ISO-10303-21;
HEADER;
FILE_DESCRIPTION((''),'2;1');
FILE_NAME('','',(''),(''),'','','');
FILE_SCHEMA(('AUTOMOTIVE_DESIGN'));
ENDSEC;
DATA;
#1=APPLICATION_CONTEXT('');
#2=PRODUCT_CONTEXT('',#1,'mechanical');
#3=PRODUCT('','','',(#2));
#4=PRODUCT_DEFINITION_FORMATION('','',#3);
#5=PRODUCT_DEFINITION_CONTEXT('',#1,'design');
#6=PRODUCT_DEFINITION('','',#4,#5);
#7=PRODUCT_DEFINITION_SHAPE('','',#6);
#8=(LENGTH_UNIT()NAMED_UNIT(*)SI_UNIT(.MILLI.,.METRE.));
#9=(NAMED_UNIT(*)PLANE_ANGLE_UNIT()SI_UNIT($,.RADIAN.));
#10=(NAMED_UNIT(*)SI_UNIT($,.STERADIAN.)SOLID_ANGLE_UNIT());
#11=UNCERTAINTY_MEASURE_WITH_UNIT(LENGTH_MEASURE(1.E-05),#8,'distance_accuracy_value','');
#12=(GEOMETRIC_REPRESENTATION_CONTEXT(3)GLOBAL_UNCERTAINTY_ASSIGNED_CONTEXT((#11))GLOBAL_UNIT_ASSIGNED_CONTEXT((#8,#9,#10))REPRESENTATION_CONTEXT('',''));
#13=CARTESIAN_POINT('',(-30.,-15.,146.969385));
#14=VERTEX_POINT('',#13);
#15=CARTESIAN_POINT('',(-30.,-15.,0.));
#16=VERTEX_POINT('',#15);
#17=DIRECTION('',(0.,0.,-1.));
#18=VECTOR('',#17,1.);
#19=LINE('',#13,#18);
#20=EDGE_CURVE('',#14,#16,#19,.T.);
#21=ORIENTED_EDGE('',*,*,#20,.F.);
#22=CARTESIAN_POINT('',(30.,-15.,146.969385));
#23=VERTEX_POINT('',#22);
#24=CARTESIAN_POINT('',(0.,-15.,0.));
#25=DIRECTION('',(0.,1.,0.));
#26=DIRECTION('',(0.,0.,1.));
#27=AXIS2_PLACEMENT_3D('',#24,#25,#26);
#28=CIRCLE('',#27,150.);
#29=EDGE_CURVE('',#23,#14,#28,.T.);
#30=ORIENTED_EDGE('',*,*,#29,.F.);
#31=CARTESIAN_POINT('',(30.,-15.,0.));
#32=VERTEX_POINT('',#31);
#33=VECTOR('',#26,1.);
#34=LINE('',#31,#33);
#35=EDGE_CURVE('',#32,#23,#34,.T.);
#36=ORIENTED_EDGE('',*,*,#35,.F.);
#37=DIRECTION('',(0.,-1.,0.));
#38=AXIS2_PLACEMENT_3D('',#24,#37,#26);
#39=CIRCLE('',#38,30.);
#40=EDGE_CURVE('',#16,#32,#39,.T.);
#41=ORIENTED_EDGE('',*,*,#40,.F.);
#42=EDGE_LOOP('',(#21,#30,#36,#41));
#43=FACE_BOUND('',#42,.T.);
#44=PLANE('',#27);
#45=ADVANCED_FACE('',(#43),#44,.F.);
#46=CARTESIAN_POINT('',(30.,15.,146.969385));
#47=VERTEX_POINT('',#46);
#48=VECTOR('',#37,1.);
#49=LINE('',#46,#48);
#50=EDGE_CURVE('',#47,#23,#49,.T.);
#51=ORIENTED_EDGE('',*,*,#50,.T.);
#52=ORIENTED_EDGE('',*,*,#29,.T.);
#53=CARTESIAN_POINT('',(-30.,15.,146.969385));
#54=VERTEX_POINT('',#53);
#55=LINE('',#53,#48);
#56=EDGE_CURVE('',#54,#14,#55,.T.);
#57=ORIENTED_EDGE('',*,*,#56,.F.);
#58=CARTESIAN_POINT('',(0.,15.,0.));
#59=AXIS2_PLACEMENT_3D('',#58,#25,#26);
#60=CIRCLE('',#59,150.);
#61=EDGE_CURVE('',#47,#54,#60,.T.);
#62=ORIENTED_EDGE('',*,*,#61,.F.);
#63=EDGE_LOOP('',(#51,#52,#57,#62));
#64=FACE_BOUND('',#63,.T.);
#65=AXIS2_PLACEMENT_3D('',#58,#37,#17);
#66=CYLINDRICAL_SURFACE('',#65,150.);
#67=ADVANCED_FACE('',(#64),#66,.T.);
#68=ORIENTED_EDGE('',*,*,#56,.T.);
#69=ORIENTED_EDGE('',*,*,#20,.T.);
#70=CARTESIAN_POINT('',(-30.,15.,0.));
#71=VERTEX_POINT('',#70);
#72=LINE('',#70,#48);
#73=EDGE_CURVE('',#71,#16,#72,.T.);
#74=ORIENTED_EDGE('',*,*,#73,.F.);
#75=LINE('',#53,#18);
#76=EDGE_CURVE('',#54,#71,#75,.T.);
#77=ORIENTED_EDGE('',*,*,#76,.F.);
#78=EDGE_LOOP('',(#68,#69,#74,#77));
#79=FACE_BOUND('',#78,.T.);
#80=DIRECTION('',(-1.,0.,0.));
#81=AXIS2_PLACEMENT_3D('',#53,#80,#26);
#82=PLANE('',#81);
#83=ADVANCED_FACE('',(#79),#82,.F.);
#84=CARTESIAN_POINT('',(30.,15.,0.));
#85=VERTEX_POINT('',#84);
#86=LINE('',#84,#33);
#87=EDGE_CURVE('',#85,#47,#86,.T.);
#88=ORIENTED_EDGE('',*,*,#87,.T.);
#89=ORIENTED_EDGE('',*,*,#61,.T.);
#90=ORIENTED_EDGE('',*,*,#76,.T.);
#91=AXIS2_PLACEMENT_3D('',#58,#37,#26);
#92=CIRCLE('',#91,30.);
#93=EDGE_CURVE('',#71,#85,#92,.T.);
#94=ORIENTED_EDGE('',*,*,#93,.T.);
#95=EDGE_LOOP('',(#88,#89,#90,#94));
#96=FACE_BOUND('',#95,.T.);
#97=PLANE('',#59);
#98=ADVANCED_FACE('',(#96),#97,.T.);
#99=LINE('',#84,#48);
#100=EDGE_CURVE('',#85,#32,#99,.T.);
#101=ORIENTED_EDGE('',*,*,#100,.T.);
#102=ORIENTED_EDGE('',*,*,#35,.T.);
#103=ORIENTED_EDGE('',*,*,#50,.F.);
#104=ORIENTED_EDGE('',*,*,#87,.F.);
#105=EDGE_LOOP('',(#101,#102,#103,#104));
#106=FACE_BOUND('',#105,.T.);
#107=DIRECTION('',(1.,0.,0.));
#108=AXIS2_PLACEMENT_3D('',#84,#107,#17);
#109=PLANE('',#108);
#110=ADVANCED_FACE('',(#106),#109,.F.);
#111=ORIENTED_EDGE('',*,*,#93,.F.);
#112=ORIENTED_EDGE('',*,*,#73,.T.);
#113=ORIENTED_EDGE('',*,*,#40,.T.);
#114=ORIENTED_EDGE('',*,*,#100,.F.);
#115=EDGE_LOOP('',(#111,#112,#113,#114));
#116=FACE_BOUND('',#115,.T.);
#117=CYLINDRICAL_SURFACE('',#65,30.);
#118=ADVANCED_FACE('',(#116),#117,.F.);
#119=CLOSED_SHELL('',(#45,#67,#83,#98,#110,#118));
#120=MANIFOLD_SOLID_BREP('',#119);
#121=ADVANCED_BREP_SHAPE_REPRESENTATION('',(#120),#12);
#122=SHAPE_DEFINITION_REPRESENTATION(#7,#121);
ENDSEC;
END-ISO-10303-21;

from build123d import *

# Parameters (mm, degrees)
BOSS_EXTRUDE1_DEPTH = 15


with BuildPart() as part:
    # Sketch1 → Boss-Extrude1 (new, symmetric)
    with BuildSketch(Plane(origin=(0, 0, 0), x_dir=(1, 0, 0), z_dir=(0, 1, 0))):
        with BuildLine():
            Line((-30, -146.969384567), (-30, 0))
            ThreePointArc((-30, 0), (0, 30), (30, 0))
            Line((30, 0), (30, -146.969384567))
            ThreePointArc((30, -146.969384567), (0, 150), (-30, -146.969384567))
        make_face()
    extrude(amount=BOSS_EXTRUDE1_DEPTH, both=True)


solid = part.part
